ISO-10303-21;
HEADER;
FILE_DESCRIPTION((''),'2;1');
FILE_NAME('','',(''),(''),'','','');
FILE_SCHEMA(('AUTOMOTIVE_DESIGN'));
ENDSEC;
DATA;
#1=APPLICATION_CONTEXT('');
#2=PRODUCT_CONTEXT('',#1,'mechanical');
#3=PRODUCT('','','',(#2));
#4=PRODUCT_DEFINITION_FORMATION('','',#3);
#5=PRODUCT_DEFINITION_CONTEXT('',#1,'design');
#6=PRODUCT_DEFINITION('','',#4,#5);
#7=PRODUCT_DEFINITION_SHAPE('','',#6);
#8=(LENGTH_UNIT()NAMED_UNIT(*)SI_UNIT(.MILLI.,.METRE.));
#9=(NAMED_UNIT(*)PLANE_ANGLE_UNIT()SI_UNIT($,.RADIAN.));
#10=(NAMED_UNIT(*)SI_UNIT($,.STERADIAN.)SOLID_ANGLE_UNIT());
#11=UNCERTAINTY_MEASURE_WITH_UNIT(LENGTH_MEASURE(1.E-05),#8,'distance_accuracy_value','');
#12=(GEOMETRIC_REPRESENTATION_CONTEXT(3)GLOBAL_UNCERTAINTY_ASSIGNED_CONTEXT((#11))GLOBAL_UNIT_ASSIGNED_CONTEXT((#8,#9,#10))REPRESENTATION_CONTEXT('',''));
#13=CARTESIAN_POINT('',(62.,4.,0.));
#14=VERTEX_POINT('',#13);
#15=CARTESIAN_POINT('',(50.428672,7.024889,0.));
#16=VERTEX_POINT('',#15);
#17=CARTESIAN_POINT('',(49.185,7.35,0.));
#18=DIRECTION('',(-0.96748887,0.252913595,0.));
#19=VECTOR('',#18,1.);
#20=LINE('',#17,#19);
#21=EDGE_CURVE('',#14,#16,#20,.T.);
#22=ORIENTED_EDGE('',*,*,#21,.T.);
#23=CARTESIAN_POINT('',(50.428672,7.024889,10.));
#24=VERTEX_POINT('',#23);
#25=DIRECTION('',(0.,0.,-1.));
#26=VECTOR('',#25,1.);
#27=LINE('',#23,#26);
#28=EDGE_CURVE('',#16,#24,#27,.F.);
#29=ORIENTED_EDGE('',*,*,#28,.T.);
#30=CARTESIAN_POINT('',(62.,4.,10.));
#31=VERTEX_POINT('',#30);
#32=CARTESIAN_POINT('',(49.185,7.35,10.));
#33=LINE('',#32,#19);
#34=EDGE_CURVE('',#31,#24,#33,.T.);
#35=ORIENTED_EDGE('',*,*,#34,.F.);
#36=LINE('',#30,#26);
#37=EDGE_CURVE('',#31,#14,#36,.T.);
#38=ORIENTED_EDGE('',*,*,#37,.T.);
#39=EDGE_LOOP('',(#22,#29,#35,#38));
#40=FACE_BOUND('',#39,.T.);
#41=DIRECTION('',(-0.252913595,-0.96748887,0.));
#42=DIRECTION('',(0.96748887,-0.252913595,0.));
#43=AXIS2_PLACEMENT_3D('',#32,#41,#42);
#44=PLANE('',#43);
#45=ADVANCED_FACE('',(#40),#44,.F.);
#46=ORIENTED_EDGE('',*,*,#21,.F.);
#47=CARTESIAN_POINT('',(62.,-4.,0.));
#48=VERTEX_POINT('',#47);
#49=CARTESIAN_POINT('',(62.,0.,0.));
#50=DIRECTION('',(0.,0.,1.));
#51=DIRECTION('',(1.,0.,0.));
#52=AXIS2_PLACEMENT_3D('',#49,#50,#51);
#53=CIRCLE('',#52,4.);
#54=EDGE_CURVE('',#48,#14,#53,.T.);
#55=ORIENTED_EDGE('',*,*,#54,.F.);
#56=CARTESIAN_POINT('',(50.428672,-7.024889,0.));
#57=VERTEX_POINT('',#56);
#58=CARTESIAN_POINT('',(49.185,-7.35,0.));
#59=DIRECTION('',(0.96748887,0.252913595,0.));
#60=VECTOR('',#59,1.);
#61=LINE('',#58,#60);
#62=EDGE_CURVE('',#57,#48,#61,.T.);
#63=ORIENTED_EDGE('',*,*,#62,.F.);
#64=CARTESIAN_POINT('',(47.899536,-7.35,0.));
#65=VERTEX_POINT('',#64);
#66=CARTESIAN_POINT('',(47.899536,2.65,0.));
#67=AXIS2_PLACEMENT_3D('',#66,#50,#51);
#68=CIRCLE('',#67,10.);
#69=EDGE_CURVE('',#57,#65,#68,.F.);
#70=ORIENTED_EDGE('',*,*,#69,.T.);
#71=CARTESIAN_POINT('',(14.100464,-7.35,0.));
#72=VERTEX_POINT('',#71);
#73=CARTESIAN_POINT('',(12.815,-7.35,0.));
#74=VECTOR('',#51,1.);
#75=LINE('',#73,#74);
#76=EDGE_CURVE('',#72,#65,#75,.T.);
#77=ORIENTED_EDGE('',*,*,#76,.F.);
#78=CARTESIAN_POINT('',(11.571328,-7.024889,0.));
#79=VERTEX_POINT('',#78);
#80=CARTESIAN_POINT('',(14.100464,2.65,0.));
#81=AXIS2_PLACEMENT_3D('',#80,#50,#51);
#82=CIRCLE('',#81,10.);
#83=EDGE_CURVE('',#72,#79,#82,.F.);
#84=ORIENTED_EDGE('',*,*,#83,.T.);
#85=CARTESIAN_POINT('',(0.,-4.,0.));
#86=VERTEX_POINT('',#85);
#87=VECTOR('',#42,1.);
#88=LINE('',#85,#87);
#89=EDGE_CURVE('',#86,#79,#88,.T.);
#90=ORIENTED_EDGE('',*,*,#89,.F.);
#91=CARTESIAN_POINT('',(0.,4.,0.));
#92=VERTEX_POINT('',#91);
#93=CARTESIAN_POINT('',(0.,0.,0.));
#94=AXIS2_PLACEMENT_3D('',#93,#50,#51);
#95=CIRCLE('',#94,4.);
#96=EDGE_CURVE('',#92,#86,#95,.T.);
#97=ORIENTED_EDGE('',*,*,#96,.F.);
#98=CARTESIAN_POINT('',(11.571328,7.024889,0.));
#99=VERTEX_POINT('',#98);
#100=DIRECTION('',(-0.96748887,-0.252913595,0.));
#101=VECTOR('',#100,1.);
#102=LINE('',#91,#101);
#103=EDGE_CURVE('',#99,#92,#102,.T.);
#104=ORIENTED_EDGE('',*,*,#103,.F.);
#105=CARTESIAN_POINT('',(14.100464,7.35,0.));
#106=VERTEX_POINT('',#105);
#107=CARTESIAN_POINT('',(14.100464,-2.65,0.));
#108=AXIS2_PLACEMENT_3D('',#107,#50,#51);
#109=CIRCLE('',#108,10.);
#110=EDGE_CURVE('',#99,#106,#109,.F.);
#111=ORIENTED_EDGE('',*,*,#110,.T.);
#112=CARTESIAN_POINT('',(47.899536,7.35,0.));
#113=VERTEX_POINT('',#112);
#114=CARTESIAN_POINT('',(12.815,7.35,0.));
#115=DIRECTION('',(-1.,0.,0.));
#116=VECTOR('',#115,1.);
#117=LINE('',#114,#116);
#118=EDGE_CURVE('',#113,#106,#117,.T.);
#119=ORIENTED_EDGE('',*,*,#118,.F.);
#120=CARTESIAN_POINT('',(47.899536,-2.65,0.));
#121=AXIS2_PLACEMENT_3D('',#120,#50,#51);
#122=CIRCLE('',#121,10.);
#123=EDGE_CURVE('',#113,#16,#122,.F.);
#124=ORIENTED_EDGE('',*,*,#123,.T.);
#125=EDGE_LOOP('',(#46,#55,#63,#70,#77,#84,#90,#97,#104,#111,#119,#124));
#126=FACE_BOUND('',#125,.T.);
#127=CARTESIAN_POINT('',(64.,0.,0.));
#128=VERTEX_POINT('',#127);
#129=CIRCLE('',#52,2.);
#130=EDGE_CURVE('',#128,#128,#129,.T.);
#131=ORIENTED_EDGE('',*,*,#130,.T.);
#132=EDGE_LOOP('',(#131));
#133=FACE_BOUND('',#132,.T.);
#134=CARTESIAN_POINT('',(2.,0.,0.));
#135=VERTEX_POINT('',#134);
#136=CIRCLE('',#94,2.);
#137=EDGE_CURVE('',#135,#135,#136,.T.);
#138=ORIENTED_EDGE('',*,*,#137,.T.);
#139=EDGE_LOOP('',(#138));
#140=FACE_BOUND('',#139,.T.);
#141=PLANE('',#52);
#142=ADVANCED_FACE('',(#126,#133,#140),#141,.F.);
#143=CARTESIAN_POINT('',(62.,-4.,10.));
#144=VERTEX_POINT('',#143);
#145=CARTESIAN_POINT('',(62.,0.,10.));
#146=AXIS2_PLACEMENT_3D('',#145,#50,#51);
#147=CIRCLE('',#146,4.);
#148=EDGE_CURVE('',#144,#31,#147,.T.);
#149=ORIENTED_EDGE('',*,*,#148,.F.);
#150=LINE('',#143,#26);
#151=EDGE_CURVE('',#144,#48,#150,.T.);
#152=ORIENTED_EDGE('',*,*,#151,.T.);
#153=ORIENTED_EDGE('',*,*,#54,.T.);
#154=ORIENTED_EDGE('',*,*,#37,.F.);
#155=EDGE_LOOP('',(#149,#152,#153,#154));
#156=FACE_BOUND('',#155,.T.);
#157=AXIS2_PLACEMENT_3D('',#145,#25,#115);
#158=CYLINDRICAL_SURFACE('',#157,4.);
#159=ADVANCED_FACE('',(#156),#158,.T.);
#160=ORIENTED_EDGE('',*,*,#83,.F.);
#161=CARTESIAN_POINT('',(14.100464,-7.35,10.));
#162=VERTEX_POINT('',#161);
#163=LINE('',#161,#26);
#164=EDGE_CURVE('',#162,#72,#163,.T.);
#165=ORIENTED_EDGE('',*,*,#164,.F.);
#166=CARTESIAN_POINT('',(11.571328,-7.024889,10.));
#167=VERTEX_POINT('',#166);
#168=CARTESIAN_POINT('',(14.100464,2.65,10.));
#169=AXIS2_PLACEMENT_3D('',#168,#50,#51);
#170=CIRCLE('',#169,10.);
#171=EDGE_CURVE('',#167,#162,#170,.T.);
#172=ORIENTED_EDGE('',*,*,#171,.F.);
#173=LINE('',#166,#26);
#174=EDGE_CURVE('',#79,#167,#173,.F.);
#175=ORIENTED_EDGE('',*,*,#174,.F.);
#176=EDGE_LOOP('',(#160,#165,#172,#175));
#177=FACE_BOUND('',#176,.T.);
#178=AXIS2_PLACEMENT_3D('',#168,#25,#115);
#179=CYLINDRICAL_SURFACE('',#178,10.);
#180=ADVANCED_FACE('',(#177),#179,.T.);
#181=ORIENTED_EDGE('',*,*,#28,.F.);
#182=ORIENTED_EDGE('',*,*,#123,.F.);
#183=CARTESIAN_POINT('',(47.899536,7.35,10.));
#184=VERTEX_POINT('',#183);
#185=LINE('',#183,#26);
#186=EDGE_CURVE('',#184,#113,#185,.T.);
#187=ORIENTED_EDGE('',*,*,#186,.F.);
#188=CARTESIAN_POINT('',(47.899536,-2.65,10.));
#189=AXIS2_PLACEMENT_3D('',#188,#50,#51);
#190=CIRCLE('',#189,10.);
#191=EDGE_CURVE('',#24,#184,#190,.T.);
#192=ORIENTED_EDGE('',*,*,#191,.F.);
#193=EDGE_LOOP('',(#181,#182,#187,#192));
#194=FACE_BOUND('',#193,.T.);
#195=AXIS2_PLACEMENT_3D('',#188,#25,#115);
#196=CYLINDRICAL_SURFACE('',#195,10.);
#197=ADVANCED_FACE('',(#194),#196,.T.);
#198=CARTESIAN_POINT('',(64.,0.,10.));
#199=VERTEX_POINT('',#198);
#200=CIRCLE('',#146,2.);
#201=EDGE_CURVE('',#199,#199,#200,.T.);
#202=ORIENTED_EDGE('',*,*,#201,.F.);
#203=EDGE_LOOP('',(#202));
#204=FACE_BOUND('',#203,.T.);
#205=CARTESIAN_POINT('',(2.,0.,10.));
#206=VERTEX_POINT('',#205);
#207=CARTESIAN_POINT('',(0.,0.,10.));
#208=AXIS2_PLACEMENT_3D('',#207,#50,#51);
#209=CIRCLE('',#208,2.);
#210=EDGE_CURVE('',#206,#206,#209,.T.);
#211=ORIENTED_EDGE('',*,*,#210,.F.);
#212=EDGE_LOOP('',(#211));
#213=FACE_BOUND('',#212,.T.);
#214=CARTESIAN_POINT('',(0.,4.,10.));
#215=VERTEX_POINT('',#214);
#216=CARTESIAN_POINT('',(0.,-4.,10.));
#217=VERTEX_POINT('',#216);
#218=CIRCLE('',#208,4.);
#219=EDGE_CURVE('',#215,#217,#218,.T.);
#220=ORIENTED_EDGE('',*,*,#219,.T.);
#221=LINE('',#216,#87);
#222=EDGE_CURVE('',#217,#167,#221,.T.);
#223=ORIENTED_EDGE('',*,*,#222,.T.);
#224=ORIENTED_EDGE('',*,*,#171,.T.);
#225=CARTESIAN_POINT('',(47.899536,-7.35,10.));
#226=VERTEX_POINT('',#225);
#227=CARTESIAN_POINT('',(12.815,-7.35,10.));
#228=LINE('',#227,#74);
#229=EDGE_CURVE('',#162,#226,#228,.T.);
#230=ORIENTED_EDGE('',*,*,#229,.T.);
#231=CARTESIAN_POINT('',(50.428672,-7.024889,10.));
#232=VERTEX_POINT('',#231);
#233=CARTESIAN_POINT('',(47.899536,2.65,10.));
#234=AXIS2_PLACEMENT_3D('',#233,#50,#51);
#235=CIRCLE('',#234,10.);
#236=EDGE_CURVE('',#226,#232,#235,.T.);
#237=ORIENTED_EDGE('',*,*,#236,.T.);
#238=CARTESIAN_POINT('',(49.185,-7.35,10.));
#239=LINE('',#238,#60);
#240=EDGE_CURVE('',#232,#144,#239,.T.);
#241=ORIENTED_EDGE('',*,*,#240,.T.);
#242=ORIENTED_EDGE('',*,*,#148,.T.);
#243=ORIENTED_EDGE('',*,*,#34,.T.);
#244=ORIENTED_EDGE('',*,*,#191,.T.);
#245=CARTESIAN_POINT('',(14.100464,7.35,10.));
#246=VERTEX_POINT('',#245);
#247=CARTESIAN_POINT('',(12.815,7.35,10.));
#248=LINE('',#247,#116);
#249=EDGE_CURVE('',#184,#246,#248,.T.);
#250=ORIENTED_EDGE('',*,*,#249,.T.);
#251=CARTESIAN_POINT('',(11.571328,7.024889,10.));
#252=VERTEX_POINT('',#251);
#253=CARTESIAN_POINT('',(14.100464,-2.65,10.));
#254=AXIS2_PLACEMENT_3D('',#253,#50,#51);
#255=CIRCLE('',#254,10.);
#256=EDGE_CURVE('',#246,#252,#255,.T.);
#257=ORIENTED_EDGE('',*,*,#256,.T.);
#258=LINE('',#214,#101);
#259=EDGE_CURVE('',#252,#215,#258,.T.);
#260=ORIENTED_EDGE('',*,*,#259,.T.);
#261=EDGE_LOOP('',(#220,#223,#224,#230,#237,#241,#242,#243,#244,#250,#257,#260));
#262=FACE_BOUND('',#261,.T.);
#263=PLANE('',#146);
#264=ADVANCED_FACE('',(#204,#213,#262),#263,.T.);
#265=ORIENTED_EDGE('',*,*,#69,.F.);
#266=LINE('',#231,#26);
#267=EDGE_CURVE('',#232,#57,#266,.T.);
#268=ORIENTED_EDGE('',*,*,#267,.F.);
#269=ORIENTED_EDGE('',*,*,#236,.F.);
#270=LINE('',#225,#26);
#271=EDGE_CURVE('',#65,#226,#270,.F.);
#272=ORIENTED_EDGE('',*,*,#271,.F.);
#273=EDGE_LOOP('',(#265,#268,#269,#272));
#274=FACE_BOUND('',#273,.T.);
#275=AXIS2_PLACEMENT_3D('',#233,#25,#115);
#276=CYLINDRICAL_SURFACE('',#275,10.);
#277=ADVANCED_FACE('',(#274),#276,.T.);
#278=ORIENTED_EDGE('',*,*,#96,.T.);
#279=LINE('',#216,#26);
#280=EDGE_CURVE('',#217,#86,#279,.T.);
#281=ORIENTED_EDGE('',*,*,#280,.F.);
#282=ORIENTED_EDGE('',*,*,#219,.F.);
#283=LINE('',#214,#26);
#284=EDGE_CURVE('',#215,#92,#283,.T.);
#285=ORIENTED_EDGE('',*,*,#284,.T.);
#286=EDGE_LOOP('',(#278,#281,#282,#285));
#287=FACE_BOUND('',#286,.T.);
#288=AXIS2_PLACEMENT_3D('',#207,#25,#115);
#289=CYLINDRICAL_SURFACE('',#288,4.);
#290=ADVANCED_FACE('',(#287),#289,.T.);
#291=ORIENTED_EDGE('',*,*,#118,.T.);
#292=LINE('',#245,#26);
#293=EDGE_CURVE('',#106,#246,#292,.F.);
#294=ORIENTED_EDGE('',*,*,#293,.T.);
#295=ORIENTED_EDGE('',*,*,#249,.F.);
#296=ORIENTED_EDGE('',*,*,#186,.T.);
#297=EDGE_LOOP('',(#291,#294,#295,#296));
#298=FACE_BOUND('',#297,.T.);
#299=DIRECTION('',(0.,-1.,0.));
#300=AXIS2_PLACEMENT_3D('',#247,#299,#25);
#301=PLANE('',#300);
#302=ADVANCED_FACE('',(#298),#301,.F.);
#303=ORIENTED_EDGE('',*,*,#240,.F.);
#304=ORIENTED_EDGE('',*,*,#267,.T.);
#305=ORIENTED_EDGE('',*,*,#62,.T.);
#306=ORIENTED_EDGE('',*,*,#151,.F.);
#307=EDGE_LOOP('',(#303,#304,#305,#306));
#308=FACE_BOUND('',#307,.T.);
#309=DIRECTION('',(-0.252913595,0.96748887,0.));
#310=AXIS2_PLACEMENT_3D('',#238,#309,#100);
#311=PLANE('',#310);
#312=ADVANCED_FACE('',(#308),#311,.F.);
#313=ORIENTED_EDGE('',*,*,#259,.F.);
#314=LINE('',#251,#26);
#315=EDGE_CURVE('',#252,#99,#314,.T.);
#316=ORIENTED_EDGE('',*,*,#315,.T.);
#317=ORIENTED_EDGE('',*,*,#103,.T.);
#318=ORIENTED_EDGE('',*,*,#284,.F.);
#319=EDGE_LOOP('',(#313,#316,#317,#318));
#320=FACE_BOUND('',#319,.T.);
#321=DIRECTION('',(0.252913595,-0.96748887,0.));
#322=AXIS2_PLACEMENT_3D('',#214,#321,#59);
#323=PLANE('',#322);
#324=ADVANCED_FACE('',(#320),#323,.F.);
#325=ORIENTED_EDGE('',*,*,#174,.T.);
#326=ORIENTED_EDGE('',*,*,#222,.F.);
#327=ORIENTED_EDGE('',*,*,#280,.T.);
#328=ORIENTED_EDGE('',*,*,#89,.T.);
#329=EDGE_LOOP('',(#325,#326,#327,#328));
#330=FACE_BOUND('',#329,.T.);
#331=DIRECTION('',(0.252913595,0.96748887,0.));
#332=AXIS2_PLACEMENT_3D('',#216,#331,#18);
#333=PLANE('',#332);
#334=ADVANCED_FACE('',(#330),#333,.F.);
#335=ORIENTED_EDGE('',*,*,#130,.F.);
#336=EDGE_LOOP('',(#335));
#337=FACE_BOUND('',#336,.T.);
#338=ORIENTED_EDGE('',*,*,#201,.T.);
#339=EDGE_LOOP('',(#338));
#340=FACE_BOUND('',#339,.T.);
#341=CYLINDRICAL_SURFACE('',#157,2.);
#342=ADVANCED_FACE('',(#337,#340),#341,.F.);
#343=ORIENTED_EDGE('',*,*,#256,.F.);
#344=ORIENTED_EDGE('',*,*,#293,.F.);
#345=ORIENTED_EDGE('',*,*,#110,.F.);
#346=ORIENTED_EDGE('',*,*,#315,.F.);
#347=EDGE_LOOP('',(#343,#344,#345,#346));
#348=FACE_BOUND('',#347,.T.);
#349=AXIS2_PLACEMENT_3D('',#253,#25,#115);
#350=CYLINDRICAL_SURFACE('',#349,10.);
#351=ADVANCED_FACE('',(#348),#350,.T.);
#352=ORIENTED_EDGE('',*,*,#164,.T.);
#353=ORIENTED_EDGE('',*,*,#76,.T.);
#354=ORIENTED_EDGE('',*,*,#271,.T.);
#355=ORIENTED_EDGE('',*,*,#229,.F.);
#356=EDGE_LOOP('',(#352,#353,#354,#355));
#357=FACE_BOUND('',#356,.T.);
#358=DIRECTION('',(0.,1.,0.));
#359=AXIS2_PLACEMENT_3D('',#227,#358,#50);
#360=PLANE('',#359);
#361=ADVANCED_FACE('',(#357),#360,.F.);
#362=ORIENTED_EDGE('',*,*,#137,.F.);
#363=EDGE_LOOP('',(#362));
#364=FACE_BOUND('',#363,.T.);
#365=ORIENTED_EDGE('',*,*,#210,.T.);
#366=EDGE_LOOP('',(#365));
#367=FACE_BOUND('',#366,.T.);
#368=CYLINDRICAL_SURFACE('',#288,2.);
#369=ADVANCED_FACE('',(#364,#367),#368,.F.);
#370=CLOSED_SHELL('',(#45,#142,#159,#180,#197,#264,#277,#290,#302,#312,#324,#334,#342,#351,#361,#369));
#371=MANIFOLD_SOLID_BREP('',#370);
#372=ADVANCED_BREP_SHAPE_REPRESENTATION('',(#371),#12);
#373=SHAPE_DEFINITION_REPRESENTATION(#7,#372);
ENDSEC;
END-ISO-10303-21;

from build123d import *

# Parameters (mm, degrees)
CROQUIS1_R              = 2
SALIENTE_EXTRUIR1_DEPTH = 10
REDONDEO2_R             = 10


with BuildPart() as part:
    # Croquis1 → Saliente-Extruir1 (new body)
    with BuildSketch(Plane.XY):
        with BuildLine():
            Line((12.815, 7.35), (49.185, 7.35))
            Line((49.185, 7.35), (62, 4))
            ThreePointArc((62, 4), (66, 0), (62, -4))
            Line((62, -4), (49.185, -7.35))
            Line((49.185, -7.35), (12.815, -7.35))
            Line((12.815, -7.35), (0, -4))
            ThreePointArc((0, -4), (-4, 0), (0, 4))
            Line((0, 4), (12.815, 7.35))
        make_face()
        Circle(CROQUIS1_R, mode=Mode.SUBTRACT)
        with Locations((62, 0)):
            Circle(CROQUIS1_R, mode=Mode.SUBTRACT)
    extrude(amount=SALIENTE_EXTRUIR1_DEPTH)

    # Redondeo2
    redondeo2_edges = [part.edges().sort_by_distance(p)[0] for p in [
        (12.815, 7.35, 5),
        (49.185, 7.35, 5),
        (49.185, -7.35, 5),
        (12.815, -7.35, 5),
    ]]
    fillet(redondeo2_edges, radius=REDONDEO2_R)


solid = part.part
